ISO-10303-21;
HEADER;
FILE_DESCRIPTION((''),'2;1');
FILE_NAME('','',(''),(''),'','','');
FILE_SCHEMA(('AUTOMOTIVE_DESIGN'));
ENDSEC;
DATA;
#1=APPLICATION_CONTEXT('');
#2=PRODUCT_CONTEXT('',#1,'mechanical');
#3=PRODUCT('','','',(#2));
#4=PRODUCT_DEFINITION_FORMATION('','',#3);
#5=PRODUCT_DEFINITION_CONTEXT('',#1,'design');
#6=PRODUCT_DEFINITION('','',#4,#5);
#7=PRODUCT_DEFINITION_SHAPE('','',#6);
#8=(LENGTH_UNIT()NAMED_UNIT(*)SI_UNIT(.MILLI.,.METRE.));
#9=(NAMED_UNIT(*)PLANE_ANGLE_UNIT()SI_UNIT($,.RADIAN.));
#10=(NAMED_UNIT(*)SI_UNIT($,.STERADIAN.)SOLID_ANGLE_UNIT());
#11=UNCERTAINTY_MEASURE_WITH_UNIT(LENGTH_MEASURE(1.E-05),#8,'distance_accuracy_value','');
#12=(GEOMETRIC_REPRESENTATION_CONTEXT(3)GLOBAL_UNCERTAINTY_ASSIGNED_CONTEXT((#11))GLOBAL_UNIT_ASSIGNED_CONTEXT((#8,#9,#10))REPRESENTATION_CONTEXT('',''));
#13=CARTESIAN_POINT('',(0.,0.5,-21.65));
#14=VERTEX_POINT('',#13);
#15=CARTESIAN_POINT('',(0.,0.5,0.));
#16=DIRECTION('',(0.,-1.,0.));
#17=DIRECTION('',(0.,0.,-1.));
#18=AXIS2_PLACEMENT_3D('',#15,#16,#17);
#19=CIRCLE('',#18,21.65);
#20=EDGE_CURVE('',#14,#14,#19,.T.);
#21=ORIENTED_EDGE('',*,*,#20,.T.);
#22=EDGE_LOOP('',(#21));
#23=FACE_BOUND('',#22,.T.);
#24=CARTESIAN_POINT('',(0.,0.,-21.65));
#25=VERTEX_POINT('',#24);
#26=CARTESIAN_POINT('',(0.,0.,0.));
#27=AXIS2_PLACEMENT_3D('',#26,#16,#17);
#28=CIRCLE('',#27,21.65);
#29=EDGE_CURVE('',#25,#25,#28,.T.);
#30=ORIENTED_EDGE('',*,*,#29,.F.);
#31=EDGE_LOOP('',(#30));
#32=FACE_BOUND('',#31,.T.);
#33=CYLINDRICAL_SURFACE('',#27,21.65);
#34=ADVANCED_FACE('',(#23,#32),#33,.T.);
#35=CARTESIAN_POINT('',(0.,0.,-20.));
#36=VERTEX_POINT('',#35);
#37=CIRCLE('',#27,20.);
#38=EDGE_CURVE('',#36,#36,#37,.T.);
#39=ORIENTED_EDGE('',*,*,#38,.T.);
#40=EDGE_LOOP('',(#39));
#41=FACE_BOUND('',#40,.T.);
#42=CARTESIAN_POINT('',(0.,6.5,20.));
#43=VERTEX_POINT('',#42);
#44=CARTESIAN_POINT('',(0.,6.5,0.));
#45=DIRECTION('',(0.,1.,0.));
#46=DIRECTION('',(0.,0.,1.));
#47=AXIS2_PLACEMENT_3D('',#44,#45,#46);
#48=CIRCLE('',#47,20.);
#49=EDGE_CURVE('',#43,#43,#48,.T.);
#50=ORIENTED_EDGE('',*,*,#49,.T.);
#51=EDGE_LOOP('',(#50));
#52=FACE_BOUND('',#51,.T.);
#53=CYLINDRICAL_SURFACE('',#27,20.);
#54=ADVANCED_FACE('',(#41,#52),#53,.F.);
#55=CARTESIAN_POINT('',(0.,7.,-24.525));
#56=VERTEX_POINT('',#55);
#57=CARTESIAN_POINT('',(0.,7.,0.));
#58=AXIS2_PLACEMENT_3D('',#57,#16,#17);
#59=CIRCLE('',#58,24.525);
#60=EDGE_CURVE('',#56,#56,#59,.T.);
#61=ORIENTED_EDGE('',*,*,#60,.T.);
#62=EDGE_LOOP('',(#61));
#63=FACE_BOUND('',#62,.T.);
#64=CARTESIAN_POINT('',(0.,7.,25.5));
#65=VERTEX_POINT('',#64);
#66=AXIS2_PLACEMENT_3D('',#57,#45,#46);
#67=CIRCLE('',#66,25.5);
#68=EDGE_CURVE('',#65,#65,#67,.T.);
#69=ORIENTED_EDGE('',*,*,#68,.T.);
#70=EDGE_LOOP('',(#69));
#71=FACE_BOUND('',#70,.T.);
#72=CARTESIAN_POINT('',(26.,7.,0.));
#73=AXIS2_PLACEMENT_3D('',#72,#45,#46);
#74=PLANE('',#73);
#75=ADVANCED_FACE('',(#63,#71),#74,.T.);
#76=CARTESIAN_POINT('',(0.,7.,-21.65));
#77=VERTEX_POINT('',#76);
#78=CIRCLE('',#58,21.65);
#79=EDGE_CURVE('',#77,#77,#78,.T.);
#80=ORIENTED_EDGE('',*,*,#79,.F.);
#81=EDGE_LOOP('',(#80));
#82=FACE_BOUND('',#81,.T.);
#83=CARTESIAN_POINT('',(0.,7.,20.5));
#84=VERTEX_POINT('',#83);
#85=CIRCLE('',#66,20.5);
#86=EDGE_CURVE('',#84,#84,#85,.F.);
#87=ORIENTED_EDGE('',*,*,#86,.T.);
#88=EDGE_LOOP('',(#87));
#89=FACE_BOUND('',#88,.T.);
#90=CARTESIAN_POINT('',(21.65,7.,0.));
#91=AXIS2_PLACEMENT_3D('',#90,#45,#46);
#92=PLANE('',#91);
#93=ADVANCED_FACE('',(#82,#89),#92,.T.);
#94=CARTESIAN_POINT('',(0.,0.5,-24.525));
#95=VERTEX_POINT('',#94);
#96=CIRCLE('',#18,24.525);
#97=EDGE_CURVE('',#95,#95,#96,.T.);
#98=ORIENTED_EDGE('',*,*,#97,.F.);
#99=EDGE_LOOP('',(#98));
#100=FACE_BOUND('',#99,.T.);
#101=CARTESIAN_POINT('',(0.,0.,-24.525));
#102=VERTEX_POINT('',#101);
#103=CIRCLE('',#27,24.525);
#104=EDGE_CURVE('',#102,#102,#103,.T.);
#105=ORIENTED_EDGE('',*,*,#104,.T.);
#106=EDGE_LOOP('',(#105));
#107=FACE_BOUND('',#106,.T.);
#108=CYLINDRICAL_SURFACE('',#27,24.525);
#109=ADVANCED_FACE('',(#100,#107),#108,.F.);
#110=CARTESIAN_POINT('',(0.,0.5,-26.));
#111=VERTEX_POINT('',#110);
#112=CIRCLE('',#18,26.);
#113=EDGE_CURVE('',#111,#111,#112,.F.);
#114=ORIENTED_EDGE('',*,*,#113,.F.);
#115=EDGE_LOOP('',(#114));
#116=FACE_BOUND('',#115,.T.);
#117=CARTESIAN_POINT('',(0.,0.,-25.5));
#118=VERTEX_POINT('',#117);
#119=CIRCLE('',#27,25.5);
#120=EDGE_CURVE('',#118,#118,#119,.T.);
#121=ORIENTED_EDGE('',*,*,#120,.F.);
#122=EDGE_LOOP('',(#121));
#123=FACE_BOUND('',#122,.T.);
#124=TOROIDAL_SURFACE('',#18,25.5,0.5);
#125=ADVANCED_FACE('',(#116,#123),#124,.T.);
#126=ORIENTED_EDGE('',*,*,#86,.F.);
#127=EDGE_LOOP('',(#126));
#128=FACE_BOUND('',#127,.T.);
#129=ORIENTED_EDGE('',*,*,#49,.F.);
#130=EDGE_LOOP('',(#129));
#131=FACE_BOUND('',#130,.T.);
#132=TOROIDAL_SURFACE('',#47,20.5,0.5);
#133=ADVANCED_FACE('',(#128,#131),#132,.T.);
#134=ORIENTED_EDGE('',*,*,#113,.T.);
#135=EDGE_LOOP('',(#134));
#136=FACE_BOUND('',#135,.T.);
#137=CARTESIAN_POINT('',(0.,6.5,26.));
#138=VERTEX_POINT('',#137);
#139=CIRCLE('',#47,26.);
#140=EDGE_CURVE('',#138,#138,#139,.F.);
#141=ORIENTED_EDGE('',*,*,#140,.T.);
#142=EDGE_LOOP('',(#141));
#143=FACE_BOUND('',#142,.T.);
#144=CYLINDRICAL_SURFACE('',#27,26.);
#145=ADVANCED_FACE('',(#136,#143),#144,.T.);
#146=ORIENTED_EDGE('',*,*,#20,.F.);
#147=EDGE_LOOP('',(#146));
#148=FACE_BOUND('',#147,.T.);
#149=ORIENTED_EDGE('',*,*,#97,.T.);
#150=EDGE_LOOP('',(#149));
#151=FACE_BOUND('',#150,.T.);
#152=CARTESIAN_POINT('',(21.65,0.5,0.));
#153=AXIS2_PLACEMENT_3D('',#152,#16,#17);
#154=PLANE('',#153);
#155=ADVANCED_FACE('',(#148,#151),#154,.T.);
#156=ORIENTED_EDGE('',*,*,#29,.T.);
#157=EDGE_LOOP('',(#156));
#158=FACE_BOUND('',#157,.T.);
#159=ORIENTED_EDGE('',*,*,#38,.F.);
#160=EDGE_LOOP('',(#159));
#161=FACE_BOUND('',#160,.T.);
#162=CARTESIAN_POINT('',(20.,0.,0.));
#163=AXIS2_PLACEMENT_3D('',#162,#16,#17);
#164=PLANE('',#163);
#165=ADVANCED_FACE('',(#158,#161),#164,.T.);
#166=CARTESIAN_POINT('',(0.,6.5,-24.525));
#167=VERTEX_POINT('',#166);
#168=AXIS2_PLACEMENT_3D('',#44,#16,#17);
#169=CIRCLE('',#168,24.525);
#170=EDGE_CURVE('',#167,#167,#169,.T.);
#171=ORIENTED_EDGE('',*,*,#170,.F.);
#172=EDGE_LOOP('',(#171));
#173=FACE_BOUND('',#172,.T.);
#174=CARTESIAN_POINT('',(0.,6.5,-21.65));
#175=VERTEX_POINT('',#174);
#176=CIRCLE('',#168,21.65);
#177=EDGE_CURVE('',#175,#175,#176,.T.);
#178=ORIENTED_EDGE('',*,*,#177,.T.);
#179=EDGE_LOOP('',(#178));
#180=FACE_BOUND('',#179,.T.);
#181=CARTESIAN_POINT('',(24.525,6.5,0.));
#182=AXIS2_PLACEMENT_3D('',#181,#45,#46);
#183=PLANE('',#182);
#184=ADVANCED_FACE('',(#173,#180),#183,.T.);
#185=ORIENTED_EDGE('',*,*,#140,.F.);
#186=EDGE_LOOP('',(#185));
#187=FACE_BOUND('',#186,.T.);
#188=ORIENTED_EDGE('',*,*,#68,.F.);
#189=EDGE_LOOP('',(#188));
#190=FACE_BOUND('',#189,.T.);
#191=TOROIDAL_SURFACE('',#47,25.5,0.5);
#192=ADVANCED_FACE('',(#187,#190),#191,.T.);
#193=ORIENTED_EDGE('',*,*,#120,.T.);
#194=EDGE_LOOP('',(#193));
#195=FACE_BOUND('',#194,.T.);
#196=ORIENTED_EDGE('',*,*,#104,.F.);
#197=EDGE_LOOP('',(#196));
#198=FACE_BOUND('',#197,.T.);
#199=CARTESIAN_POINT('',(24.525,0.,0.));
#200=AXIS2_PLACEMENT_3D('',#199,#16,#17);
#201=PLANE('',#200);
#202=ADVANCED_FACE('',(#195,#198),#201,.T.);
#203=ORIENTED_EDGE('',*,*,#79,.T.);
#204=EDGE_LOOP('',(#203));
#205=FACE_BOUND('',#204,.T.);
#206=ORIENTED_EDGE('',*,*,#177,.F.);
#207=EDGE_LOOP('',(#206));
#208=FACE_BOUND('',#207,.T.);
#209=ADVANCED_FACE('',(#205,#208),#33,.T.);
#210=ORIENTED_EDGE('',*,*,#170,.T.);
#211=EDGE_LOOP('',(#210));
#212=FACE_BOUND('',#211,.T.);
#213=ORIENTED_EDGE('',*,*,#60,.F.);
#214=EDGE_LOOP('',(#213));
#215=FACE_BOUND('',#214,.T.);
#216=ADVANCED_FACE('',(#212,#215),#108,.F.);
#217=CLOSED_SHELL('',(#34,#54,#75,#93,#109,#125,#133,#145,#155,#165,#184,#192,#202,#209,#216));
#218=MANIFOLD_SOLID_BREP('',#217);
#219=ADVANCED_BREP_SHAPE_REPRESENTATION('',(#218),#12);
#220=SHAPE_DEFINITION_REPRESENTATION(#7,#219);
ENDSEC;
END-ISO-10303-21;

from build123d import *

# Parameters (mm, degrees)
VERRUNDUNG1_R = 0.5


with BuildPart() as part:
    # Skizze1 → Rotation1 (revolve)
    with BuildSketch(Plane.XY, mode=Mode.PRIVATE) as rotation1_sk:
        Polygon((20, 0), (21.65, 0), (21.65, 0.5), (24.525, 0.5), (24.525, 0), (26, 0), (26, 7), (24.525, 7), (24.525, 6.5), (21.65, 6.5), (21.65, 7), (20, 7), align=None)
    revolve(rotation1_sk.sketch.rotate(Axis((0, 0, 0), (0, 1, 0)), 90), axis=Axis((0, 0, 0), (0, 1, 0)))

    # Verrundung1
    verrundung1_edges = [part.edges().sort_by_distance(p)[0] for p in [
        (0, 7, 26),
        (0, 0, 26),
        (0, 7, 20),
    ]]
    fillet(verrundung1_edges, radius=VERRUNDUNG1_R)


solid = part.part
